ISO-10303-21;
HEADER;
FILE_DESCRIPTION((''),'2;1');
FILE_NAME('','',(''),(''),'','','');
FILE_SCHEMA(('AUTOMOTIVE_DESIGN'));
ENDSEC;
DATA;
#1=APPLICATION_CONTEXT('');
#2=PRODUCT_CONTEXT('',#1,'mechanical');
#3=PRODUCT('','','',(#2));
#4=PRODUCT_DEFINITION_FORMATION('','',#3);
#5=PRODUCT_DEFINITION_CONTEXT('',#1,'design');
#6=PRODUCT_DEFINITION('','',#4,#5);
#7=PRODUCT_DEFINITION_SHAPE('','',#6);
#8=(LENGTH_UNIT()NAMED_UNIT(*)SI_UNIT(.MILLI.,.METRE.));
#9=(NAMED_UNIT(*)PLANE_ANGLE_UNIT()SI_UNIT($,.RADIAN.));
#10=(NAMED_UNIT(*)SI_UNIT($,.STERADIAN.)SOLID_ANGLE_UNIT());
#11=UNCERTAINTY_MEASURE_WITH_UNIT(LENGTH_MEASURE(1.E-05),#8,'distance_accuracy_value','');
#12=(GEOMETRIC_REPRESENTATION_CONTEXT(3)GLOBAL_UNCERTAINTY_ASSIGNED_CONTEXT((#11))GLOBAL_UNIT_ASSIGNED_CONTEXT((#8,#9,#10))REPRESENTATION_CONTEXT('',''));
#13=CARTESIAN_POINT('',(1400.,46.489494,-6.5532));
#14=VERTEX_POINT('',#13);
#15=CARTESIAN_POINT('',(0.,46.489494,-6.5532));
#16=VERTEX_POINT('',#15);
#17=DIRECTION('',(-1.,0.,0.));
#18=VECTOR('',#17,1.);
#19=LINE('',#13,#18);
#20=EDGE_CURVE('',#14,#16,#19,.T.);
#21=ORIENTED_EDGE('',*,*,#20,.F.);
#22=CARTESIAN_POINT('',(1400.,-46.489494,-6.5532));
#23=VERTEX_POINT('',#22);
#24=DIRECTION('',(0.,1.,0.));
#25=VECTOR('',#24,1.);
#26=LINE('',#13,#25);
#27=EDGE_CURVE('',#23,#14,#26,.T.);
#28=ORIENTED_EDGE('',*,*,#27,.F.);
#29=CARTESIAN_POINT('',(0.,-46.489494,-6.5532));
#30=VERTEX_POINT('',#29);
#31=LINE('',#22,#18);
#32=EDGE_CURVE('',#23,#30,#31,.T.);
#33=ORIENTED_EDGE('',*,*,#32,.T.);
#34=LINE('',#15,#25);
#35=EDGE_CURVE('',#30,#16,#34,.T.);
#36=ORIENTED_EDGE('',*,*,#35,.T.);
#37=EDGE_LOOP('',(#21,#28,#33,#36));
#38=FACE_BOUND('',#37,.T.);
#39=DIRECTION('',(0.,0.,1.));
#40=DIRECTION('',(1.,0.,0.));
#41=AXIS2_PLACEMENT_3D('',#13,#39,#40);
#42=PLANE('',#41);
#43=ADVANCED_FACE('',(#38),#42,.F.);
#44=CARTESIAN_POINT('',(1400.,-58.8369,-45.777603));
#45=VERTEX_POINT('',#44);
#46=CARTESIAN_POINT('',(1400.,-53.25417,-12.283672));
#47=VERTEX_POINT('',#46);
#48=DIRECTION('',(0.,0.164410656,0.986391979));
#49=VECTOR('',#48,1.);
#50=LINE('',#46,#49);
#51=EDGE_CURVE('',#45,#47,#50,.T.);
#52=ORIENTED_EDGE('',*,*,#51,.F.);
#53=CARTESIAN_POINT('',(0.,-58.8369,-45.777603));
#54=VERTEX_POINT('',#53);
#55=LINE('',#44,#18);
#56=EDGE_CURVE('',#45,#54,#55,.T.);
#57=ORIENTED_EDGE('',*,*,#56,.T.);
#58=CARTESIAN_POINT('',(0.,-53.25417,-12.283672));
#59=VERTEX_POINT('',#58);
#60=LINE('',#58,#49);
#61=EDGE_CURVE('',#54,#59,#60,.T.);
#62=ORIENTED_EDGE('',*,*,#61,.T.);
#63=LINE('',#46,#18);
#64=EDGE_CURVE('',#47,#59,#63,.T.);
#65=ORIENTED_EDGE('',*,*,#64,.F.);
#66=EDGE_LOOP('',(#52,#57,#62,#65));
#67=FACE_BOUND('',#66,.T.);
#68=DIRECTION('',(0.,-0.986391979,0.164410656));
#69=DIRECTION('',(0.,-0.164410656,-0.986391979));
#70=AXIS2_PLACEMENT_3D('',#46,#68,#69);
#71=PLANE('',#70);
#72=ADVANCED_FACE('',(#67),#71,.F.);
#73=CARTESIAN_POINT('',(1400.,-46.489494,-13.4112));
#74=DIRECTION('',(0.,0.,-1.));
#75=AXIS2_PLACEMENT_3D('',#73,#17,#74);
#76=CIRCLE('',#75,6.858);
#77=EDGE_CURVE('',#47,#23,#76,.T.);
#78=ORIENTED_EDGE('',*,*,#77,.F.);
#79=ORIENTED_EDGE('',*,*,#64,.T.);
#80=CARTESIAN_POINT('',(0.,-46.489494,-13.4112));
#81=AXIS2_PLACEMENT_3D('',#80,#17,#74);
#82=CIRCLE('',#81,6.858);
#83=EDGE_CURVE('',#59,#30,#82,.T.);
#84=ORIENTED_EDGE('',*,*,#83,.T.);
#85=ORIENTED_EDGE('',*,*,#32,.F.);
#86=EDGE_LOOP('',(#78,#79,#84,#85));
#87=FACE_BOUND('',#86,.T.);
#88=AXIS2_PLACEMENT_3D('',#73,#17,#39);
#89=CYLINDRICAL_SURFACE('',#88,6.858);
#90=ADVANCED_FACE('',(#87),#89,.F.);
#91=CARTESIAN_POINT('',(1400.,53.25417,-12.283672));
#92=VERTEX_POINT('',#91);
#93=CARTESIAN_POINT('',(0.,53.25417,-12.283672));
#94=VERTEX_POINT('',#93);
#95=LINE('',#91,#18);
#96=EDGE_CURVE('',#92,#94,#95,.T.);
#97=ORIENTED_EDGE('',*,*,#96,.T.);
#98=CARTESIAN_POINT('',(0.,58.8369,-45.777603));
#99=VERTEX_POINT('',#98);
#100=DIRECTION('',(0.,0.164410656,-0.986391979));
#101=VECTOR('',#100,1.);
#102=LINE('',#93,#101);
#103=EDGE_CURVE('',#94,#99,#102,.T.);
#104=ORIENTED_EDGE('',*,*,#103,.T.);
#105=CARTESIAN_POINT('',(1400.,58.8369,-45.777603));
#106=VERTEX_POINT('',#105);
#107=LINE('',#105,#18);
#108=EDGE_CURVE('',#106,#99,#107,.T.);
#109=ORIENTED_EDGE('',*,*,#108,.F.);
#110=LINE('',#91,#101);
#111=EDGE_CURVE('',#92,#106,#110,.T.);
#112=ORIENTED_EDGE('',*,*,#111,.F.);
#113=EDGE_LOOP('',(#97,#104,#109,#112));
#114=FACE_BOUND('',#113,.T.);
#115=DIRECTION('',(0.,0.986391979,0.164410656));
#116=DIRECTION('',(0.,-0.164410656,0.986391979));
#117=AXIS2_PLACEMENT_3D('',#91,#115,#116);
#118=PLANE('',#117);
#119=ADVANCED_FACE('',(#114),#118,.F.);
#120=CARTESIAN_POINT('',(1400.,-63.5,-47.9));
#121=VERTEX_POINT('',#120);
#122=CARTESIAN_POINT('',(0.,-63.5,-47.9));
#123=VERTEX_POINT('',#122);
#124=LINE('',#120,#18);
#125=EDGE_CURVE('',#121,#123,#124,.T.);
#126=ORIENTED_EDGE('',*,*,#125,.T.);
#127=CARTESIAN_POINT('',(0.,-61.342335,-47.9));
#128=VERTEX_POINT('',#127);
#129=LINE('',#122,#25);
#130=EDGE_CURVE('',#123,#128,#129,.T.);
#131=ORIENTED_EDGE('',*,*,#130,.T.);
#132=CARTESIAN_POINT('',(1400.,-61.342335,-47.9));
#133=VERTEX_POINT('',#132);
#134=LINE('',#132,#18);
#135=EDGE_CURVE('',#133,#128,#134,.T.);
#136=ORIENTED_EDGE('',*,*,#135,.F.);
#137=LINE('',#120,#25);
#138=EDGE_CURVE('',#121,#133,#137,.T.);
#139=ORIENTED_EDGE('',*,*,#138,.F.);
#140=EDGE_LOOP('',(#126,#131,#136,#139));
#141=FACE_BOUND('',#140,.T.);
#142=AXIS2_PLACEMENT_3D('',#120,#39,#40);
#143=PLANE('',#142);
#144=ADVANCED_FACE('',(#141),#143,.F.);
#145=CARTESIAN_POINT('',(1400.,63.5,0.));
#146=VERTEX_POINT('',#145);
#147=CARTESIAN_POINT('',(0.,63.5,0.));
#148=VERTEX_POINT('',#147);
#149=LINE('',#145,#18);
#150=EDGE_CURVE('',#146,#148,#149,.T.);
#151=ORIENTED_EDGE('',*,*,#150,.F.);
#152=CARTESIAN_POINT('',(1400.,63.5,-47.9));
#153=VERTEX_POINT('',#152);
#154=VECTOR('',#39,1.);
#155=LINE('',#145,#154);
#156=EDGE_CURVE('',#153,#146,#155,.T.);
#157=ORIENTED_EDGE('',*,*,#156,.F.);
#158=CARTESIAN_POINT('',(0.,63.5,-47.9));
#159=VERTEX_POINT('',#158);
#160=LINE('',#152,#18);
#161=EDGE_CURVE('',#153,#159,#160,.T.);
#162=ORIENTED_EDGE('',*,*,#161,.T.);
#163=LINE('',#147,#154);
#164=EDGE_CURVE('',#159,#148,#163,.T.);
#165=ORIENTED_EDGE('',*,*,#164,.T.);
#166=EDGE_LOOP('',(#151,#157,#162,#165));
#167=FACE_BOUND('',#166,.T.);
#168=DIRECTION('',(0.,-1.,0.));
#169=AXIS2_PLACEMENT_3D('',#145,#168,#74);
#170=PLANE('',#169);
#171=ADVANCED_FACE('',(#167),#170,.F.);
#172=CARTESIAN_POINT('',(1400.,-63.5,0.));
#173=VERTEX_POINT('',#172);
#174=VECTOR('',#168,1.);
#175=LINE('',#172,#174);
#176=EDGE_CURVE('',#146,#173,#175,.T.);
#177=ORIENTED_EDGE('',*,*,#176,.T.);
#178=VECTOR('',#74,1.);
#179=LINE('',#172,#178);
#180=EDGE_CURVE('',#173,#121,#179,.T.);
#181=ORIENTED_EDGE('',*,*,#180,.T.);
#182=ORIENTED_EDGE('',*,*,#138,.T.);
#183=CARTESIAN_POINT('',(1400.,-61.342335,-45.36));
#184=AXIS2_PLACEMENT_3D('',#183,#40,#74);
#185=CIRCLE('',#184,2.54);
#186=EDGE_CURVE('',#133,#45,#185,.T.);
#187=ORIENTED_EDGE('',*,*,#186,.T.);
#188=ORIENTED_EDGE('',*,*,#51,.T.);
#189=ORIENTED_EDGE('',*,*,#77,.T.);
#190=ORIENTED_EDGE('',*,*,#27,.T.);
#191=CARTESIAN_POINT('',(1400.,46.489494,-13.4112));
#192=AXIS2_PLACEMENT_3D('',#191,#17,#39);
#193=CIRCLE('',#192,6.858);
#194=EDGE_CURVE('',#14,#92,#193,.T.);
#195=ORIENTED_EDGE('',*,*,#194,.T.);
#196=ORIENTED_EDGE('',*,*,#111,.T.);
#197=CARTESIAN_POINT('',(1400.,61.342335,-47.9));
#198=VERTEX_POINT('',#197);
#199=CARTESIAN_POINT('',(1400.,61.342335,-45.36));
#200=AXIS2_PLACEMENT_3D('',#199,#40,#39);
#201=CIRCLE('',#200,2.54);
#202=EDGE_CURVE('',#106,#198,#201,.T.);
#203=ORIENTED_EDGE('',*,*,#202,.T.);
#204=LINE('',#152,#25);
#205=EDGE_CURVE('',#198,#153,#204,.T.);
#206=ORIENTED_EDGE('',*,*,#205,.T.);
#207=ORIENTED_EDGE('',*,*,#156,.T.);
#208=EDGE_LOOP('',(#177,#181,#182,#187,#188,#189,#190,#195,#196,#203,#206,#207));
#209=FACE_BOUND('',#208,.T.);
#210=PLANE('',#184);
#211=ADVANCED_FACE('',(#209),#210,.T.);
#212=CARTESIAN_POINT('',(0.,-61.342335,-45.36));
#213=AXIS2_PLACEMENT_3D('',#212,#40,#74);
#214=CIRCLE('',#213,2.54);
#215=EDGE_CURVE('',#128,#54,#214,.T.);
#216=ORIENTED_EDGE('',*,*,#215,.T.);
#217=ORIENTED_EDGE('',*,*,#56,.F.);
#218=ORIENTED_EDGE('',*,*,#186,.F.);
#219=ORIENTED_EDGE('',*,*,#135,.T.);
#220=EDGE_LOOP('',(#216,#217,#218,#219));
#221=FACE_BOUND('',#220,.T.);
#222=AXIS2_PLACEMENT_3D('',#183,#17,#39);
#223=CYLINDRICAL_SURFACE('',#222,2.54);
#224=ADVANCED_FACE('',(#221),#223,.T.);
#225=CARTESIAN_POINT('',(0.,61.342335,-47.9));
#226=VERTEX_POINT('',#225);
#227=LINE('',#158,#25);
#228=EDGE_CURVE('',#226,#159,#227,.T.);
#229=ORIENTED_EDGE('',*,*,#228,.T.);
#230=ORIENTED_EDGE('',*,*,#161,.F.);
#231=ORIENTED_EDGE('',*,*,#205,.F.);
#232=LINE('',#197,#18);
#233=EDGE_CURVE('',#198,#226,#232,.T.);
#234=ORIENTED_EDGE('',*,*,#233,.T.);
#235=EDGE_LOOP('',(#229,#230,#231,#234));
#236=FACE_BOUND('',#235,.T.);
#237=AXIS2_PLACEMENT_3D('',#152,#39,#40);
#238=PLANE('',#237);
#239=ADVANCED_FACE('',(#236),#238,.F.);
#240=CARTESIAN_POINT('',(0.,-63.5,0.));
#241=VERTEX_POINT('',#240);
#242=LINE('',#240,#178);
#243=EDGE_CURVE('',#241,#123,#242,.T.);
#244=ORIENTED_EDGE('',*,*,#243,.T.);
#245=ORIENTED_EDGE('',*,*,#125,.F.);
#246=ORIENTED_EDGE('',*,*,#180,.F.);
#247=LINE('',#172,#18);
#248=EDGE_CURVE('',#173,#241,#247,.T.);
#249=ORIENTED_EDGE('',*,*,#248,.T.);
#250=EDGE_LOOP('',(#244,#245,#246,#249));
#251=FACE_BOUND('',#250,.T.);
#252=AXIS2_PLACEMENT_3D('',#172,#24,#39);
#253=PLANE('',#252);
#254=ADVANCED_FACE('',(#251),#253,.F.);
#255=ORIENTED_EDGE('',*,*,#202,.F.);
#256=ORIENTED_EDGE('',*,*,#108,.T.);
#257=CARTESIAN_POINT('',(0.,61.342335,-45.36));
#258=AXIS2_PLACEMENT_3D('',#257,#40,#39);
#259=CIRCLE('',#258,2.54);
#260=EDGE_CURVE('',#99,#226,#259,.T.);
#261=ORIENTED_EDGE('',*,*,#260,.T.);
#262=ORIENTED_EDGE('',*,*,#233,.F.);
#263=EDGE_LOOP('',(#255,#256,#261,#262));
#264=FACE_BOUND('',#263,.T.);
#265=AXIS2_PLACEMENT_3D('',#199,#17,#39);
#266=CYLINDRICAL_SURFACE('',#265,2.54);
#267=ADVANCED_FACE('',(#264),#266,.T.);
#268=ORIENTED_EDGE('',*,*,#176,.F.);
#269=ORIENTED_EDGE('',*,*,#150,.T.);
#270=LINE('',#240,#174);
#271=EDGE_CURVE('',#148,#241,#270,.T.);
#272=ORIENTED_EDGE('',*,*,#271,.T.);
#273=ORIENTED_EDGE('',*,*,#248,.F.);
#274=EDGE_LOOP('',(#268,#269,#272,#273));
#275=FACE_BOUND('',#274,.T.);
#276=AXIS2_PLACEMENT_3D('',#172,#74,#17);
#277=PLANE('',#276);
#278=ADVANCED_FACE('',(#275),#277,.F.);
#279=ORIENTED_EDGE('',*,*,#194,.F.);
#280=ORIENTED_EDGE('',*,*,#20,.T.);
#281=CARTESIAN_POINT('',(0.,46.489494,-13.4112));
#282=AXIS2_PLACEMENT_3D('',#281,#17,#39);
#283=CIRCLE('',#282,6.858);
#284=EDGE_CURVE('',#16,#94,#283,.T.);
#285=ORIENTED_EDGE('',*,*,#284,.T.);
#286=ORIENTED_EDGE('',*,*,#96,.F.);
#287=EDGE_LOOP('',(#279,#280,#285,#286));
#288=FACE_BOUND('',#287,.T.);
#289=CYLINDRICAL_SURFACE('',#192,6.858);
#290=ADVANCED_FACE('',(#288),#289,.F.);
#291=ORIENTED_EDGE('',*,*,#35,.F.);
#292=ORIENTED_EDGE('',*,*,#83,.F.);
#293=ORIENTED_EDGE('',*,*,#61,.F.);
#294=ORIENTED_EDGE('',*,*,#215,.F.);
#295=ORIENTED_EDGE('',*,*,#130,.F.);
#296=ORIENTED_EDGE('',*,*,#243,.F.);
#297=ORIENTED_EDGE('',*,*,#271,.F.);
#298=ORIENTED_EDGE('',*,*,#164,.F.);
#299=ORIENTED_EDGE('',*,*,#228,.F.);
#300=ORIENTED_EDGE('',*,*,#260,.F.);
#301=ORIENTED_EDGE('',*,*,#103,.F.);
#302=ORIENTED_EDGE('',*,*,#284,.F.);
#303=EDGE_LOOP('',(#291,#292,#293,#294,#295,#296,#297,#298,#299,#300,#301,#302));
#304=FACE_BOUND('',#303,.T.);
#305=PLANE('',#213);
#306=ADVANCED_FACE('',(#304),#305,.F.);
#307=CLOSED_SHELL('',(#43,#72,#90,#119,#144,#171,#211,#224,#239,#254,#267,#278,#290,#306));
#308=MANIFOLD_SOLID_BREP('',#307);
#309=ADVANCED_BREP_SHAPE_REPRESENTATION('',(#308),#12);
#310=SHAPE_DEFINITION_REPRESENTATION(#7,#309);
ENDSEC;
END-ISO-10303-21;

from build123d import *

# Parameters (mm, degrees)
CANAL_C_3_X_5_1_DEPTH = 1400


with BuildPart() as part:
    # Sketch12 → Canal c 3 X 5(1) (new body)
    with BuildSketch(Plane(origin=(0, 0, 0), x_dir=(0, 0, -1), z_dir=(1, 0, 0))):
        with BuildLine():
            Line((0, -63.5), (0, 63.5))
            Line((0, 63.5), (47.9, 63.5))
            Line((47.9, 63.5), (47.9, 61.342335136))
            ThreePointArc((47.9, 61.342335136), (47.298080466, 59.700554363), (45.777603066, 58.836899509))
            Line((45.777603066, 58.836899509), (12.283671721, 53.254170388))
            ThreePointArc((12.283671721, 53.254170388), (8.178382741, 50.922302283), (6.5532, 46.489494196))
            Line((6.5532, 46.489494196), (6.5532, -46.489494196))
            ThreePointArc((6.5532, -46.489494196), (8.178382741, -50.922302283), (12.283671721, -53.254170388))
            Line((12.283671721, -53.254170388), (45.777603066, -58.836899509))
            ThreePointArc((45.777603066, -58.836899509), (47.298080466, -59.700554363), (47.9, -61.342335136))
            Line((47.9, -61.342335136), (47.9, -63.5))
            Line((47.9, -63.5), (0, -63.5))
        make_face()
    extrude(amount=CANAL_C_3_X_5_1_DEPTH)


solid = part.part
